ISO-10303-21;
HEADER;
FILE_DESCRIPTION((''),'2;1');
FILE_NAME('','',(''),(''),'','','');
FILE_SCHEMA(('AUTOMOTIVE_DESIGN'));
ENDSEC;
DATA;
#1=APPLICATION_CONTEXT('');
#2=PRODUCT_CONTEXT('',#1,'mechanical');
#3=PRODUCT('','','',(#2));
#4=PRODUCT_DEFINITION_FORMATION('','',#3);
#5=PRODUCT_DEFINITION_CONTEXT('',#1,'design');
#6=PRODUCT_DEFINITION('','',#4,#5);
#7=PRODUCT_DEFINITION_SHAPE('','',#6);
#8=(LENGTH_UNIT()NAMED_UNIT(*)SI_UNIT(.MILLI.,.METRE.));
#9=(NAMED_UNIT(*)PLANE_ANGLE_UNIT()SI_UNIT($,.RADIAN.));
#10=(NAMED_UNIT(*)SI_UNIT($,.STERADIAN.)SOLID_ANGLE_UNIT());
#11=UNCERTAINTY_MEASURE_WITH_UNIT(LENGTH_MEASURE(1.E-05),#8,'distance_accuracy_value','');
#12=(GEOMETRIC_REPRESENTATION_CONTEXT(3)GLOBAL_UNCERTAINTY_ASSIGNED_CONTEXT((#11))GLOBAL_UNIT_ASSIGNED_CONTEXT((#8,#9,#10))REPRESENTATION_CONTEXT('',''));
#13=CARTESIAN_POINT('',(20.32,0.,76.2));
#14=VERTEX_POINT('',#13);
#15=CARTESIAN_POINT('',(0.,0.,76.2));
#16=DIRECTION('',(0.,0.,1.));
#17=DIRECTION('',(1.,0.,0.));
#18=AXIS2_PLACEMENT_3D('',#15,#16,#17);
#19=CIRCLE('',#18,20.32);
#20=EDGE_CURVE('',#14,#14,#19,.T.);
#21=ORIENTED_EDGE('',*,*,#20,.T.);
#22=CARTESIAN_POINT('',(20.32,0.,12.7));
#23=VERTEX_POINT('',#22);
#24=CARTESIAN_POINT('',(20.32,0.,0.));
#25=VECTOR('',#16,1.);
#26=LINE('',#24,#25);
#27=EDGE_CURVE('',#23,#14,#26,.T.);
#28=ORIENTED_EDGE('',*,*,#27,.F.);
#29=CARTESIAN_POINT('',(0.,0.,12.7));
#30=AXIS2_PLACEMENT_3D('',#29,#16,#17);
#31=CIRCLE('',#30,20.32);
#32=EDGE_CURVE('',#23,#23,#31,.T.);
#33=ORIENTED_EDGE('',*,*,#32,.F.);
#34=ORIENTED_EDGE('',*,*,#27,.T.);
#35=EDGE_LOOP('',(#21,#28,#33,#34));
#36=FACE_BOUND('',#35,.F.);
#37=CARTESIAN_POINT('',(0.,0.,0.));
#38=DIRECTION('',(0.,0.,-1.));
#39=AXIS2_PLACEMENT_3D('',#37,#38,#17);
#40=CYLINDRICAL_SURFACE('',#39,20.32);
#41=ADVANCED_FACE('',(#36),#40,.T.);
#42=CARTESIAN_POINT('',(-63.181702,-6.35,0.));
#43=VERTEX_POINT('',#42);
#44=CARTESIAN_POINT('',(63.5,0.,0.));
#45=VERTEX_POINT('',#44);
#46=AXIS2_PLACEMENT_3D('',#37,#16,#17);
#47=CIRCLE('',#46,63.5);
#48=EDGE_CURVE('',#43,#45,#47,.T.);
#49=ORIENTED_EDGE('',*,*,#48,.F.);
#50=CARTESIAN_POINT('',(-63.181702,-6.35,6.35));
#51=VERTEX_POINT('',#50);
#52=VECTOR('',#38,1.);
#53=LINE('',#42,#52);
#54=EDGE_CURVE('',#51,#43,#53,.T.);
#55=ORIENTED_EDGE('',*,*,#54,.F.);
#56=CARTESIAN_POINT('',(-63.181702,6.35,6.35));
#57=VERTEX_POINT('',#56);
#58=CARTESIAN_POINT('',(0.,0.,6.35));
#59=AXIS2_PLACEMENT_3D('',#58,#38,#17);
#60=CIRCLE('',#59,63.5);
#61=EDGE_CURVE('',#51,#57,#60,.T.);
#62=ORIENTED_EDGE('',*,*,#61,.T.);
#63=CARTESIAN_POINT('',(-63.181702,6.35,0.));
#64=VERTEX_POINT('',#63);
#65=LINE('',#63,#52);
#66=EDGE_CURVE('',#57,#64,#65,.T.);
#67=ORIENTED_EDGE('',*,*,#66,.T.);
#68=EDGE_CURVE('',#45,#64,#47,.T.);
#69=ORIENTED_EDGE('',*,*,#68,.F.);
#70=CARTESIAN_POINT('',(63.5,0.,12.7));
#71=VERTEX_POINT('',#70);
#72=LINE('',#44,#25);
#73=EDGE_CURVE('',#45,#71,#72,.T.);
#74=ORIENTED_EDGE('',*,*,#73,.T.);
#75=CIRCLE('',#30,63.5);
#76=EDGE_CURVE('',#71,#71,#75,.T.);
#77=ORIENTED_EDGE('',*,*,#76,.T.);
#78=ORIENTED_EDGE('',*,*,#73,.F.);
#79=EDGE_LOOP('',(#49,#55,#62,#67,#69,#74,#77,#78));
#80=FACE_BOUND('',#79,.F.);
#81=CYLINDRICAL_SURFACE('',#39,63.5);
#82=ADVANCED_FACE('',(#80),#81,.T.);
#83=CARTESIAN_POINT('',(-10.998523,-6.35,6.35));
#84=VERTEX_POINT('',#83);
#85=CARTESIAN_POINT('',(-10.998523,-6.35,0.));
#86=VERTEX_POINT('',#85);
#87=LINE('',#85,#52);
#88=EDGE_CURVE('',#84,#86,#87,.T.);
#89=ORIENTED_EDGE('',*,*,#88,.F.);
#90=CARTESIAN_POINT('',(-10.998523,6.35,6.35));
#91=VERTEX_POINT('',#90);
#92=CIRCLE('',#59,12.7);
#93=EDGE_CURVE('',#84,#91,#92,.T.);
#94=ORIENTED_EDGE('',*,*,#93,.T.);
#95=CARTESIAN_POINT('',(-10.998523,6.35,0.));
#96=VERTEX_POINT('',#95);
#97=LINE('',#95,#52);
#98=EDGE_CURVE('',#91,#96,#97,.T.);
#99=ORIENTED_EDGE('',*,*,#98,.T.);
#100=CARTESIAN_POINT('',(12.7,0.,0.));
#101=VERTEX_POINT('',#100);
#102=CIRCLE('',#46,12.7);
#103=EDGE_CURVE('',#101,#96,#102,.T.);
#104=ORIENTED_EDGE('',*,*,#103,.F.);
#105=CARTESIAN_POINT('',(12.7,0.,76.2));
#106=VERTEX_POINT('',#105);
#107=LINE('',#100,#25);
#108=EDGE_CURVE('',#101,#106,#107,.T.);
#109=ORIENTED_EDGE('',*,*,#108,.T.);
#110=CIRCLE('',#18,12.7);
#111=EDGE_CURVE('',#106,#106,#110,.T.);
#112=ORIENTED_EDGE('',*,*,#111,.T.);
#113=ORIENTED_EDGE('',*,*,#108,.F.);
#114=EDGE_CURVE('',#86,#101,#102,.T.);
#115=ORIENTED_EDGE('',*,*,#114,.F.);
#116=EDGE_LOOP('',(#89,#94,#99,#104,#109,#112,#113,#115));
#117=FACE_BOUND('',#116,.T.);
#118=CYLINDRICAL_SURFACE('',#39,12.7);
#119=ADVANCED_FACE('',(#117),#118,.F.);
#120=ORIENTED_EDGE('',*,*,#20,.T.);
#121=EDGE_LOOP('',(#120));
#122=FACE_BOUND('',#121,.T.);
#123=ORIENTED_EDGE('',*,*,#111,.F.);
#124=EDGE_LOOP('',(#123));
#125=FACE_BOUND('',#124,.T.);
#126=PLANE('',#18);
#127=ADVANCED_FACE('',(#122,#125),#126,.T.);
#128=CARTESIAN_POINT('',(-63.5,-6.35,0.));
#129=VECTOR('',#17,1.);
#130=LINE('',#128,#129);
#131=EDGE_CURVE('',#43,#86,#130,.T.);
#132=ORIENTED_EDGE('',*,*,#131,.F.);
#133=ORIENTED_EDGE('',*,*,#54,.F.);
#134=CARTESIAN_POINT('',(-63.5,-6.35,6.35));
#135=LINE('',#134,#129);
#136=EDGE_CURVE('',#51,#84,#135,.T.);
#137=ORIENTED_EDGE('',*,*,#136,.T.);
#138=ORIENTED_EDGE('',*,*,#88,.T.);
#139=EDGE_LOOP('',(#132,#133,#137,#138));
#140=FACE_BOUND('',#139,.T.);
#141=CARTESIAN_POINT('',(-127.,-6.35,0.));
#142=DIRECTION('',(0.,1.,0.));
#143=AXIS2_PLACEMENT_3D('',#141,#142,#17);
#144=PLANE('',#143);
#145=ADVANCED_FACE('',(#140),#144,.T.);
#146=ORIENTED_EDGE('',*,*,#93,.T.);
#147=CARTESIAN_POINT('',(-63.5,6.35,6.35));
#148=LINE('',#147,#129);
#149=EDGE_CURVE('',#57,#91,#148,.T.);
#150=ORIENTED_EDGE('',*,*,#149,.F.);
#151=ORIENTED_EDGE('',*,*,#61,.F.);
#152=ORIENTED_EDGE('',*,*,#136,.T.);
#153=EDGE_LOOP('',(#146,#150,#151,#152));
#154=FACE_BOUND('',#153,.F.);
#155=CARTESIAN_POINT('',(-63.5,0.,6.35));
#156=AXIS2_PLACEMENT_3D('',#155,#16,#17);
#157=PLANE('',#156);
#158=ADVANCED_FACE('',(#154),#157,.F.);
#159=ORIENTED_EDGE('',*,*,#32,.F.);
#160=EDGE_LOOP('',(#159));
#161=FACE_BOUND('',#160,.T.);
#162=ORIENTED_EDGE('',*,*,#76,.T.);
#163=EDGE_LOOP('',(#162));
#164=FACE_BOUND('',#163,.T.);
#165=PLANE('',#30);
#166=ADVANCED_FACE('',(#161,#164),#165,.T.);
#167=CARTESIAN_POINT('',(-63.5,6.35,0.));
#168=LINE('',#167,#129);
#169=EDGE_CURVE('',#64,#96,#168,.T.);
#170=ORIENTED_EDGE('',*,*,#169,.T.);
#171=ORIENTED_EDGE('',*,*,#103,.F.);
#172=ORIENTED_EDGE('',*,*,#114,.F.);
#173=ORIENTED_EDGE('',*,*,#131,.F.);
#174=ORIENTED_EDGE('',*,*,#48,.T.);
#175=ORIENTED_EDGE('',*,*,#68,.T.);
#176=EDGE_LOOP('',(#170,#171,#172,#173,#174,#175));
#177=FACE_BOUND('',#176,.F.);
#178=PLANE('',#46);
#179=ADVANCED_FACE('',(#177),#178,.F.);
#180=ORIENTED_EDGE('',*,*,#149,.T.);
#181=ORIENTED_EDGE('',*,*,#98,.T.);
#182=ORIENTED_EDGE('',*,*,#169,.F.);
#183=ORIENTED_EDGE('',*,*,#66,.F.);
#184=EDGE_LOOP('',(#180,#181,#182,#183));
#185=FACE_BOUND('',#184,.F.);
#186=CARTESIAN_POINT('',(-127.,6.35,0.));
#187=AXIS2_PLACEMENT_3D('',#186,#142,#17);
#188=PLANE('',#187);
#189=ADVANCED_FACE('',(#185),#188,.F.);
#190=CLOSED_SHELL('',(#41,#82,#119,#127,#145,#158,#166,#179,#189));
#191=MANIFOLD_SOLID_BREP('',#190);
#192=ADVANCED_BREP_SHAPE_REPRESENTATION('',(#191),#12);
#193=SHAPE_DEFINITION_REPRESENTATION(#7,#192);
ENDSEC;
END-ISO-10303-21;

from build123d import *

# Parameters (mm, degrees)
F0_R     = 63.5
F0_R_2   = 20.32
F1_DEPTH = 12.7
F0_R_3   = 12.7
F2_DEPTH = 76.2
F3_W     = 127
F3_H     = 12.7
F4_DEPTH = 6.35


with BuildPart() as f1:
    # F0 (on Top) → F1 (new body)
    with BuildSketch(Plane.XY):
        Circle(F0_R)
        Circle(F0_R_2, mode=Mode.SUBTRACT)
    extrude(amount=F1_DEPTH)

    # F0 (on Top) → F2 (join)
    with BuildSketch(Plane.XY):
        Circle(F0_R_2)
        Circle(F0_R_3, mode=Mode.SUBTRACT)
    extrude(amount=F2_DEPTH)

    # F3 (on Top) → F4 (cut)
    with BuildSketch(Plane.XY):
        with Locations((-63.5, 0)):
            Rectangle(F3_W, F3_H)
    extrude(amount=F4_DEPTH, mode=Mode.SUBTRACT)


solid = f1.part
